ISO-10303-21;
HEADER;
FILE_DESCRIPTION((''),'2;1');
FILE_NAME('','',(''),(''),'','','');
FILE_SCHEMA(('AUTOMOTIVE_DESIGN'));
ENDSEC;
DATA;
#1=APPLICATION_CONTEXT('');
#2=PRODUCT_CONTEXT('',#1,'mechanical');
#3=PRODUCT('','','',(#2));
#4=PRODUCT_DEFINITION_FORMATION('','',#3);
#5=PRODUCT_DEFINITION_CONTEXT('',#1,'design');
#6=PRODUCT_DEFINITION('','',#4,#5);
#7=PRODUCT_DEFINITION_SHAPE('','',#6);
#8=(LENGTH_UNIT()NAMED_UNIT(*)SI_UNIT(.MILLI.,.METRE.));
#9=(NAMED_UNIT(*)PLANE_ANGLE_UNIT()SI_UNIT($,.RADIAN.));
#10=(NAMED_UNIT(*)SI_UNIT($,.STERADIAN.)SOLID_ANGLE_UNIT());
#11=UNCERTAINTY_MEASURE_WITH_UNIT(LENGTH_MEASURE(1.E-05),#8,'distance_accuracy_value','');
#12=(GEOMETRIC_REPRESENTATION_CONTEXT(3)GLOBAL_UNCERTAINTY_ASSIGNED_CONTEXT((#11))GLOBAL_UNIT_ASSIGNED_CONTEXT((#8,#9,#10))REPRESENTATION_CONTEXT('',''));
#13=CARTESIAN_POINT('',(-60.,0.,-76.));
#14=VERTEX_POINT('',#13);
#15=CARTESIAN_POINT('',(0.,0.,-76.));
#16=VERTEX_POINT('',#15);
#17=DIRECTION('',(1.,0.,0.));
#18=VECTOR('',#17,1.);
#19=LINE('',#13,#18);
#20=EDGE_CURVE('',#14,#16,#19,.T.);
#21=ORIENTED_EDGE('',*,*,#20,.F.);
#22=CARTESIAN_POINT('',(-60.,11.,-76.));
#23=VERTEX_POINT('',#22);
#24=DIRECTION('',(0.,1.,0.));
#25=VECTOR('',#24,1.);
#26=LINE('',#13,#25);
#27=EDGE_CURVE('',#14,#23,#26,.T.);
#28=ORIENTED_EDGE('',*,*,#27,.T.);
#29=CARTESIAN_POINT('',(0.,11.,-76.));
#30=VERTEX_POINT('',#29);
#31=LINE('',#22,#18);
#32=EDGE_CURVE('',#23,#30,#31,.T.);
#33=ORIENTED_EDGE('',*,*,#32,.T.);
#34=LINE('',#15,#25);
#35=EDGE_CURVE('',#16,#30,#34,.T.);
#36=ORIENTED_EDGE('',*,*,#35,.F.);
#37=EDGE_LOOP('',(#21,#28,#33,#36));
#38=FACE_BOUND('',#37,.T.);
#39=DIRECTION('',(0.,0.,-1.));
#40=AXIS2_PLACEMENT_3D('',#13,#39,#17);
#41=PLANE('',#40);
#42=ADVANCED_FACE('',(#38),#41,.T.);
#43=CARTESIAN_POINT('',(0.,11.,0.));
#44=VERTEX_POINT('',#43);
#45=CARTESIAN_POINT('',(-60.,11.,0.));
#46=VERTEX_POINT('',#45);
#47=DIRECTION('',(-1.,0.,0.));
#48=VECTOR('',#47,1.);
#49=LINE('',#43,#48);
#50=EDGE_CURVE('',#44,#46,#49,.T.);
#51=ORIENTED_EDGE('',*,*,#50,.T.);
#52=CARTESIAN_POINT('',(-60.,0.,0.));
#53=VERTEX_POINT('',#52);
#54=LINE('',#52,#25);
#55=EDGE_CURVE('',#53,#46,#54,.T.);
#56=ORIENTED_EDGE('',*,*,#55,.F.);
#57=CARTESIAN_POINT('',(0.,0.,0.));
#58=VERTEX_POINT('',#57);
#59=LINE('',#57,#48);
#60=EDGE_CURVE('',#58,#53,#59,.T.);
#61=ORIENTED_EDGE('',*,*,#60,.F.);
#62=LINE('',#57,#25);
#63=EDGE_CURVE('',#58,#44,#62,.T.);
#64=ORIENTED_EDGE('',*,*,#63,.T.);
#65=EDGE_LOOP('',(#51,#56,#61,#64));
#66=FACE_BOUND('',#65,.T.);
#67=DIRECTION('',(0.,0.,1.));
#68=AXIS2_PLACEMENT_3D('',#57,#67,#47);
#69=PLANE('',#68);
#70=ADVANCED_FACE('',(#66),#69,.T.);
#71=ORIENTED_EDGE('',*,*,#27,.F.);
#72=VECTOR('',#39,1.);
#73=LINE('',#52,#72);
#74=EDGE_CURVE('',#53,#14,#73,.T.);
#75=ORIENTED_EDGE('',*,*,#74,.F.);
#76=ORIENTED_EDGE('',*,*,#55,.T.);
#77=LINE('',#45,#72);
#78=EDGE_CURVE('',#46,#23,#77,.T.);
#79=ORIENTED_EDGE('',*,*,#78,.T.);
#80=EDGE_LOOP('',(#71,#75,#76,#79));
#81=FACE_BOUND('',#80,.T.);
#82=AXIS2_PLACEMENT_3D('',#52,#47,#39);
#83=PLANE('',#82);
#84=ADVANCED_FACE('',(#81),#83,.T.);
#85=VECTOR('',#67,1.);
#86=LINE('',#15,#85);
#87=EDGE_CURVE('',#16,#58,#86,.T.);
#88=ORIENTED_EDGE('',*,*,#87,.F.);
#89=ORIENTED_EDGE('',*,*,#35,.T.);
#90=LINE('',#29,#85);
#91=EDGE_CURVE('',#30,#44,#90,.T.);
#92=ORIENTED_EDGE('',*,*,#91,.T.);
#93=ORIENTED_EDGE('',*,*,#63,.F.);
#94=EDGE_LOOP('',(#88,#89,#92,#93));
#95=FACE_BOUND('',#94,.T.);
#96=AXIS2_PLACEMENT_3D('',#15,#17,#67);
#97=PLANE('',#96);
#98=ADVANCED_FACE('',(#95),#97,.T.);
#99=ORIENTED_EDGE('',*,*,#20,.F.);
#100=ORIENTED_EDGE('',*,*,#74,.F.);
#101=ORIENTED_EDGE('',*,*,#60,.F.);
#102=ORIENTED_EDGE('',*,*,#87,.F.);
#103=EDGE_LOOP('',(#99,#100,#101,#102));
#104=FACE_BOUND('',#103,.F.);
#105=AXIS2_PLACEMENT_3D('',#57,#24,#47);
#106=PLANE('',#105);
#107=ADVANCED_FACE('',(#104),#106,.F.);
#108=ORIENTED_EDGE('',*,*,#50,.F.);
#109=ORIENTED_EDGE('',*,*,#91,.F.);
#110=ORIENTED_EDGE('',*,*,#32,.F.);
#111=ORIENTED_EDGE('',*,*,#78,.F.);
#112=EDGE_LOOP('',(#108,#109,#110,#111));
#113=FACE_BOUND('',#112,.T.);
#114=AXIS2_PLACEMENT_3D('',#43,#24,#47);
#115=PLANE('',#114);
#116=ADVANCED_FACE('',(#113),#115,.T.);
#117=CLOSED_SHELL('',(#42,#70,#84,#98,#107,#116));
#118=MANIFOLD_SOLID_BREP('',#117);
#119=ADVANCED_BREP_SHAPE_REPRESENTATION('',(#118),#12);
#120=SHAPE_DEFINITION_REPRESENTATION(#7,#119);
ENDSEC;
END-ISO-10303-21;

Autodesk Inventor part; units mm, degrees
ref_plane "YZ Plane" through (0, 0, 0) normal (1, 0, 0) x (0, 1, 0)
ref_plane "XZ Plane" through (0, 0, 0) normal (0, 1, 0) x (-1, 0, 0)
ref_plane "XY Plane" through (0, 0, 0) normal (0, 0, 1) x (1, 0, 0)
sketch "Sketch3" plane through (0, 0, 0) normal (0, 1, 0) x (-1, 0, 0)
  line L0 (0, 0) -> (60, 0)
  line L1 (60, 0) -> (60, -76)
  line L2 (60, -76) -> (0, -76)
  line L3 (0, -76) -> (0, 0)
  dimension "d7" = 60
  dimension "d8" = 76
extrude "Extrusion3" add sketch "Sketch3" along normal blind 11
properties part number "Motherboard"
